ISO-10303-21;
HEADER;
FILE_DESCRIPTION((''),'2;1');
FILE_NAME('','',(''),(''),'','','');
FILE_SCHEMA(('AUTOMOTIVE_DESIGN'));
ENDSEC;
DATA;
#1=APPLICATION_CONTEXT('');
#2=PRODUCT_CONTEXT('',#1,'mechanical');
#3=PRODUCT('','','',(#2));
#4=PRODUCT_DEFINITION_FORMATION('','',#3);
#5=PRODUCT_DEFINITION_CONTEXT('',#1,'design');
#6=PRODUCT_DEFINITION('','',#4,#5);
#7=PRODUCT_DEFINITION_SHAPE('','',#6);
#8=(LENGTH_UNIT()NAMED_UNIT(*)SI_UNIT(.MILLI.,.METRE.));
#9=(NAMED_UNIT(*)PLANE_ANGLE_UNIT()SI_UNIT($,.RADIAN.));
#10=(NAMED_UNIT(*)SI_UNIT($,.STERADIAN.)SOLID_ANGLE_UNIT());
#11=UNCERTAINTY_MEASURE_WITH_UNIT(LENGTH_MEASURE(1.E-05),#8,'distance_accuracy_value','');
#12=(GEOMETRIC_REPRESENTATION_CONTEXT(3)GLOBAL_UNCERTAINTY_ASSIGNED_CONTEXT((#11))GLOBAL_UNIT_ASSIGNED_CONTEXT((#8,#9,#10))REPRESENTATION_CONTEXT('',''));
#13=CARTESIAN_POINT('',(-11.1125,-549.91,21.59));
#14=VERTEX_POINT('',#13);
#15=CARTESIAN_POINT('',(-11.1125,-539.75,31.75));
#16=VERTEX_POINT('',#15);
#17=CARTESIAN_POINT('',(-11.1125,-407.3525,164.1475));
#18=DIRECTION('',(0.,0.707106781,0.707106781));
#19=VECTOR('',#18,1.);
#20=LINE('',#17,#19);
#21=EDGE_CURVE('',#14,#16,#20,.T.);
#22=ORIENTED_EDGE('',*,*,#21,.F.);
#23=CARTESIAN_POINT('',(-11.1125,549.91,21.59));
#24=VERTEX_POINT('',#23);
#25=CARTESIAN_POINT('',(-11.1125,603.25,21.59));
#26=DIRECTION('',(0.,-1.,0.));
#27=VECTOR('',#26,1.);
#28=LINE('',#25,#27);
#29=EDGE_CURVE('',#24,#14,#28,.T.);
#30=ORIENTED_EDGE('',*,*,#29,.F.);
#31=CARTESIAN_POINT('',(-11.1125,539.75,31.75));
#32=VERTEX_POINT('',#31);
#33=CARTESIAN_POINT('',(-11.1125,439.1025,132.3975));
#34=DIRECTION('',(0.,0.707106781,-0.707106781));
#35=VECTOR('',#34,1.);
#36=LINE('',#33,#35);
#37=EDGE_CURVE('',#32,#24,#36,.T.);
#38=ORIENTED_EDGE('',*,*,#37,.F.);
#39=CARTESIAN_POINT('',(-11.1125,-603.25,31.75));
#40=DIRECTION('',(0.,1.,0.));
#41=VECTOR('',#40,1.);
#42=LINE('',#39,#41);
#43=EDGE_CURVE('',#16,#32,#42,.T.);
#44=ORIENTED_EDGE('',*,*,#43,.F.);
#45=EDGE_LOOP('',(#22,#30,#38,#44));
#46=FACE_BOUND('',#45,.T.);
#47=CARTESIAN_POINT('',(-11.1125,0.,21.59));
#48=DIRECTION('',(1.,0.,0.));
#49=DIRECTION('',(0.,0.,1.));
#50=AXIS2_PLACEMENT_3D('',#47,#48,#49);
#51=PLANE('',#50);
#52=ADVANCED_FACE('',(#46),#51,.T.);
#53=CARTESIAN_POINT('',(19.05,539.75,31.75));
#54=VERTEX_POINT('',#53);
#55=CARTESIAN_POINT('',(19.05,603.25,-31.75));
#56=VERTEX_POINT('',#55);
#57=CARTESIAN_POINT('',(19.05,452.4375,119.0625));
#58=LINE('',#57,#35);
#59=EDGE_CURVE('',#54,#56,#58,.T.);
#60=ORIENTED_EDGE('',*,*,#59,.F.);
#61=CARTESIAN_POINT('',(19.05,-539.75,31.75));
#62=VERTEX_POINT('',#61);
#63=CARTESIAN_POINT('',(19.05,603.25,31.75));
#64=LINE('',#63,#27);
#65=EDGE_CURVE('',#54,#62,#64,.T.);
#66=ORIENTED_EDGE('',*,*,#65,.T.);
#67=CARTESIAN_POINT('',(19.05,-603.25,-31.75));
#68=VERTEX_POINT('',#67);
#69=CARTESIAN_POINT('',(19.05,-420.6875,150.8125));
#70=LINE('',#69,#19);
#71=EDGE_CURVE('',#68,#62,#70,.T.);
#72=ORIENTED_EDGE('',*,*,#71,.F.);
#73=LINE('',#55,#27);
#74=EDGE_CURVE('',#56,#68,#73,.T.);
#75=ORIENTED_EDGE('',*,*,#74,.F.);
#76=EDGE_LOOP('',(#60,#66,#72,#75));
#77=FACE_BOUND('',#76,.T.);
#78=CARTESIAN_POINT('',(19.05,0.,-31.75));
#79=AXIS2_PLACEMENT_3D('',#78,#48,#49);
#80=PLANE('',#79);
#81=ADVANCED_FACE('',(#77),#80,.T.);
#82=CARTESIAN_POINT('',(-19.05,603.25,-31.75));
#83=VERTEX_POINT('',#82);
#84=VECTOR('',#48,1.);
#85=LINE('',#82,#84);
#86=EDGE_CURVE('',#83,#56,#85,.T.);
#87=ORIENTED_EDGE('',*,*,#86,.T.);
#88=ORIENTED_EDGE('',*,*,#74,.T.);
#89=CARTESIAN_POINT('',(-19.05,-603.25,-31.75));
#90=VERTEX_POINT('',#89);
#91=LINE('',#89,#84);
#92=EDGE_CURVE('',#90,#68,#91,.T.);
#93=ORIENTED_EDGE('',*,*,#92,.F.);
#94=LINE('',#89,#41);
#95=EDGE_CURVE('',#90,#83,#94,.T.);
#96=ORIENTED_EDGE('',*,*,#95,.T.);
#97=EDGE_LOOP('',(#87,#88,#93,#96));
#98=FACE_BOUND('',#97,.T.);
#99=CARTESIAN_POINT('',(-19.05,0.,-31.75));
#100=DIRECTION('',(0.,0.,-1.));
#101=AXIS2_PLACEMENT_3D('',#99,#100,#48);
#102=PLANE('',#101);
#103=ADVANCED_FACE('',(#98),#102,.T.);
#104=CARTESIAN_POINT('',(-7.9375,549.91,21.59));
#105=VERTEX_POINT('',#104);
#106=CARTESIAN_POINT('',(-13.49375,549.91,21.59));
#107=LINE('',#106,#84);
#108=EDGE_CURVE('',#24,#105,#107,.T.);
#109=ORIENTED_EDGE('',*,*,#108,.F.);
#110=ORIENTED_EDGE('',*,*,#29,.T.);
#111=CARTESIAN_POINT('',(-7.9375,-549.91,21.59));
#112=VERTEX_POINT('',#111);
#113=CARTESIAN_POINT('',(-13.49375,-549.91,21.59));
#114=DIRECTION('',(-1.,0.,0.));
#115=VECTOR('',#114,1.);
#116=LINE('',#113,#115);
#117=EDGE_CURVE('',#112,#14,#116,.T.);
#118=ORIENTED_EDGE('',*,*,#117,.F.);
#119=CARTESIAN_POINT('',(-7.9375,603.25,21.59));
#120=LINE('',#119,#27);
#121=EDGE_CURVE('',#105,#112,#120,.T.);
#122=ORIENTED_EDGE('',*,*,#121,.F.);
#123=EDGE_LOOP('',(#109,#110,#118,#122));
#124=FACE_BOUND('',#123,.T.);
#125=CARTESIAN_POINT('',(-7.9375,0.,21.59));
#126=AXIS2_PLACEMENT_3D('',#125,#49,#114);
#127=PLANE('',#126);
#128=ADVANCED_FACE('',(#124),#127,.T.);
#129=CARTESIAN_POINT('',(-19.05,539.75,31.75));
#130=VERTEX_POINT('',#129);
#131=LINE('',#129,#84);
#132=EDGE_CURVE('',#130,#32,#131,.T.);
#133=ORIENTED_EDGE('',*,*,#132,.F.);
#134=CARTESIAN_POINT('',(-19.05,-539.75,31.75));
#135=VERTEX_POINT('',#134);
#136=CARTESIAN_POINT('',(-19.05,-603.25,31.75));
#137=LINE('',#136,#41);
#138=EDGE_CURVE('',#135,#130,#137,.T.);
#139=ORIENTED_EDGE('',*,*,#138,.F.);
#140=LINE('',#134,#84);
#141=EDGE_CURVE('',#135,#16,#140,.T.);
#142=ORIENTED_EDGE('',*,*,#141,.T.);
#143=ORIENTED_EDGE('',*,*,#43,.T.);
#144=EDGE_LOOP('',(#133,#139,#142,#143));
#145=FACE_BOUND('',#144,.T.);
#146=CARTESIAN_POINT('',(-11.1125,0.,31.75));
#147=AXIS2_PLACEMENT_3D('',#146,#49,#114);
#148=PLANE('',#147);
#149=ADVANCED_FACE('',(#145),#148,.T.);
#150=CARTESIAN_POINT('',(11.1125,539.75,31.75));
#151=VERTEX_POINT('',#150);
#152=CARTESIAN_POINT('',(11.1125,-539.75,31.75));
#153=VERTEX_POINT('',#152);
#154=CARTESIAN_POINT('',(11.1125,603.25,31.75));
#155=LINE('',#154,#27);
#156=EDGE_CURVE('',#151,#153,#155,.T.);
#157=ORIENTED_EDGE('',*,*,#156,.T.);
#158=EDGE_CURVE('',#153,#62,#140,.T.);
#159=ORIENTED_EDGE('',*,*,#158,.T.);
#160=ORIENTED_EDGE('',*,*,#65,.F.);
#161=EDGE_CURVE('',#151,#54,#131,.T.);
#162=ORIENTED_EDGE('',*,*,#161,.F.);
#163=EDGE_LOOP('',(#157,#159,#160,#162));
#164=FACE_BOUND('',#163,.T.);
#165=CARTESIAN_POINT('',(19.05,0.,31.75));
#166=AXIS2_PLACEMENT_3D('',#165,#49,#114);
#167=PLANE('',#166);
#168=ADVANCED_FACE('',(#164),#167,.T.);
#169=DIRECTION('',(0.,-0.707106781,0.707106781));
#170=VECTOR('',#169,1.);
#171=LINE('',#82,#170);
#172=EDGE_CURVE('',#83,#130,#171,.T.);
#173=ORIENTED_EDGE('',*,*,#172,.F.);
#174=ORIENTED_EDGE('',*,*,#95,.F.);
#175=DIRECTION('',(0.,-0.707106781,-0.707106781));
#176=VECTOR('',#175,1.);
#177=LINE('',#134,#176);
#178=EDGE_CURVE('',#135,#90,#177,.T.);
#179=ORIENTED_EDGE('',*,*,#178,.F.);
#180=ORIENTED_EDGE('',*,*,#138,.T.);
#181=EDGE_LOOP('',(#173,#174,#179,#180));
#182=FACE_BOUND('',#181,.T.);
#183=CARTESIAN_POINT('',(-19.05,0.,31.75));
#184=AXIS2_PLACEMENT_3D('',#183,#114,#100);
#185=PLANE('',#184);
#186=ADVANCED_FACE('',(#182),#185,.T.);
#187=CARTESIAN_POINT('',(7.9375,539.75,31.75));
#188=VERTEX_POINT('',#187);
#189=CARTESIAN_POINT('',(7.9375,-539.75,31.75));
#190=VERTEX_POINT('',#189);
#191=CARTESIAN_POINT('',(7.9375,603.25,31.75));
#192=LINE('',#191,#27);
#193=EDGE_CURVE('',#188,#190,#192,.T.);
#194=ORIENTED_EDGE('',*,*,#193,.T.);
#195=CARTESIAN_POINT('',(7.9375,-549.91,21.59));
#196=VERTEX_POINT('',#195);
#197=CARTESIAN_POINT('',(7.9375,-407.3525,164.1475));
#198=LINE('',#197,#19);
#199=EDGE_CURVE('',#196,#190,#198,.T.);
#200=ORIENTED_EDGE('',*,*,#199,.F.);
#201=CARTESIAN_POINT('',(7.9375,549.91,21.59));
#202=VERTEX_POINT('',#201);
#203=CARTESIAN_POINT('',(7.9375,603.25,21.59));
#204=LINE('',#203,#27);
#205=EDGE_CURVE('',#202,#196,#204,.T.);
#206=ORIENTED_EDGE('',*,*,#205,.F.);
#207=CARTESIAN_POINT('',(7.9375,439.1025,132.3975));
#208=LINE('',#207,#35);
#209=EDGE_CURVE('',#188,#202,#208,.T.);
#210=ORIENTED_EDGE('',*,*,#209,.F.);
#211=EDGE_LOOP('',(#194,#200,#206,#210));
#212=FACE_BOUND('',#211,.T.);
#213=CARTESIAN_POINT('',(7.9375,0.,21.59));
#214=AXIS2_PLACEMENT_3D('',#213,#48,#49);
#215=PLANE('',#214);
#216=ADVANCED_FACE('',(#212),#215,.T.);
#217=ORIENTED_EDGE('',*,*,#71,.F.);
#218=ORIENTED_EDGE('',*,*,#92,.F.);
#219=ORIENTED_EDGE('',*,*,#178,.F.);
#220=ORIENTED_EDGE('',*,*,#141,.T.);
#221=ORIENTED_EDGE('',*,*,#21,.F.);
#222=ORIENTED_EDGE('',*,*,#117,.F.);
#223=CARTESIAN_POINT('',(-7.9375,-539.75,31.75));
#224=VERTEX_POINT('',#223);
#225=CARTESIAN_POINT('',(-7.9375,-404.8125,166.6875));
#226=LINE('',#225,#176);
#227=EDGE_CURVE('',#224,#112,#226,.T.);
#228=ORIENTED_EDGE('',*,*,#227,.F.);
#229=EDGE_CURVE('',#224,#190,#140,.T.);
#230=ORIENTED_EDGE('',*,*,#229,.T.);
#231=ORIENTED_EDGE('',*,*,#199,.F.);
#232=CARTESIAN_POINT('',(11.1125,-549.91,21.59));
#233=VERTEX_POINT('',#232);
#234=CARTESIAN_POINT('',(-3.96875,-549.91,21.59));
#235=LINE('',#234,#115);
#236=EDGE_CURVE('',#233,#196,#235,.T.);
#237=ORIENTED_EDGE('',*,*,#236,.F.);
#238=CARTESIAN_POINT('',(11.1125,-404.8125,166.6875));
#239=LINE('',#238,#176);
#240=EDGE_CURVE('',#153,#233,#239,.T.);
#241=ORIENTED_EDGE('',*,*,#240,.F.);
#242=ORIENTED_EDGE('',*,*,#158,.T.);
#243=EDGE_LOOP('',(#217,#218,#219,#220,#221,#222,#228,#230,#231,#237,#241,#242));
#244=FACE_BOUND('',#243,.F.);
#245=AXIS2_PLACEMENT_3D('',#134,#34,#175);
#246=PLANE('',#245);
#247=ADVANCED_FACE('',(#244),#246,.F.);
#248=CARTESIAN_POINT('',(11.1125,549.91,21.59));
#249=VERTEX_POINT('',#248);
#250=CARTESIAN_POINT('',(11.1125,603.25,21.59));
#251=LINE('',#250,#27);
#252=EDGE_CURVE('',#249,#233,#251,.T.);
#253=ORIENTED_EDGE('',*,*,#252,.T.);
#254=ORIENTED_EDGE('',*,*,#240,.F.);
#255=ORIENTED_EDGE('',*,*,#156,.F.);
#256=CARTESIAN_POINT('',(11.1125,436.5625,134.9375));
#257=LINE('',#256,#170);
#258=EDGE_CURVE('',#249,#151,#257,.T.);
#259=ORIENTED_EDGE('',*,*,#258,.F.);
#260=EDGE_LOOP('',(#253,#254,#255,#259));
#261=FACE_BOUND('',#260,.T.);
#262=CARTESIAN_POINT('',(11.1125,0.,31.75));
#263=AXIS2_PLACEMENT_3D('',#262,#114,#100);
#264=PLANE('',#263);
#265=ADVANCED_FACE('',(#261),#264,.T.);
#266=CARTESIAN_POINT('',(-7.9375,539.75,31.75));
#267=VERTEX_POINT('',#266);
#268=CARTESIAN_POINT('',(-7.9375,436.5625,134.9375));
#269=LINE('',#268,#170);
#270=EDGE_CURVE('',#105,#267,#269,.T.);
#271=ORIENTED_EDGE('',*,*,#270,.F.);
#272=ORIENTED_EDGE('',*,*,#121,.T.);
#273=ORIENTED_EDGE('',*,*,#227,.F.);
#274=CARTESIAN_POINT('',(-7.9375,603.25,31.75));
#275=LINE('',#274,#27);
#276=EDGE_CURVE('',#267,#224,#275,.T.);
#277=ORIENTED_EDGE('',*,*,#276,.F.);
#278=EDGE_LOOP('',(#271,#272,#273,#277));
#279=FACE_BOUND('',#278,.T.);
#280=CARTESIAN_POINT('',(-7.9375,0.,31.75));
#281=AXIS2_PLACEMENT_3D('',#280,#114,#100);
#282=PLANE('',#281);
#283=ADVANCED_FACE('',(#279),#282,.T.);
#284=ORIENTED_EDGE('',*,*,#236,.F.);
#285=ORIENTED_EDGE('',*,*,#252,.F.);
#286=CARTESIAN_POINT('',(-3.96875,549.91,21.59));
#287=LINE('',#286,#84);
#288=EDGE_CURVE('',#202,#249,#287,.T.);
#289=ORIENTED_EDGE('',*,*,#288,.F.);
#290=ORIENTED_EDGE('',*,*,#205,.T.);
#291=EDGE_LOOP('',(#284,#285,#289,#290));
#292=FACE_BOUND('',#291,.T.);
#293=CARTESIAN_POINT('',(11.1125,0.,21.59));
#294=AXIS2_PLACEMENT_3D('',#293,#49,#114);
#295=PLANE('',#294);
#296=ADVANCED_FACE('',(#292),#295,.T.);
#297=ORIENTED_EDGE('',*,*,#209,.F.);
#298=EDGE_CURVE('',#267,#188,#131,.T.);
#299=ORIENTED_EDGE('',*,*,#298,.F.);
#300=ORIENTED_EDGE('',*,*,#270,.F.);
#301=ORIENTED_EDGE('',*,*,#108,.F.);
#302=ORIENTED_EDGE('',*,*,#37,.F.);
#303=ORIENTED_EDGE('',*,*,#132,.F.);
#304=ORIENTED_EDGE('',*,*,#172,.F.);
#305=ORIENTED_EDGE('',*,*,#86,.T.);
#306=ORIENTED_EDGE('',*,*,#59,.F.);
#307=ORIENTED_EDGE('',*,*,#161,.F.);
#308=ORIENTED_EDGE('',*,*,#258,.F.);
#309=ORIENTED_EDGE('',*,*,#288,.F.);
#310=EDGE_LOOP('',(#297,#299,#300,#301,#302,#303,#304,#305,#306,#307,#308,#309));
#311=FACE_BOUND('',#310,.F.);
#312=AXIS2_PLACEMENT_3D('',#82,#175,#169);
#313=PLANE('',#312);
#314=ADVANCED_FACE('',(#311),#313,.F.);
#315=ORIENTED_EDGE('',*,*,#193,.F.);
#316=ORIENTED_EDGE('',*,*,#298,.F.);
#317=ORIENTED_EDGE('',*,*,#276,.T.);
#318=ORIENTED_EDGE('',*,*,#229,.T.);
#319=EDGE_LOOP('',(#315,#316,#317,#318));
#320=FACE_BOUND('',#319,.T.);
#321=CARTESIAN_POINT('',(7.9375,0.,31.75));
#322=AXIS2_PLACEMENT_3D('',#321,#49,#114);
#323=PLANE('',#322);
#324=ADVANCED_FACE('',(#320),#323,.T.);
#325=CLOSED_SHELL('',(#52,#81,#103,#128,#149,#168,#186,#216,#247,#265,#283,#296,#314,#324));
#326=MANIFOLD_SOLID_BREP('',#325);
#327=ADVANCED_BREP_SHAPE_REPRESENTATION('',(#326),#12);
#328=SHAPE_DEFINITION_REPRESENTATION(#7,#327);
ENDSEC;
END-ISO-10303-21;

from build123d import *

# Parameters (mm, degrees)
F1_DEPTH = 603.25
F3_DEPTH = 38.101


with BuildPart() as f1:
    # F0 (on Front) → F1 (new body, symmetric)
    with BuildSketch(Plane.XZ):
        Polygon((-19.05, -31.75), (19.05, -31.75), (19.05, 31.75), (11.1125, 31.75), (11.1125, 21.59), (7.9375, 21.59), (7.9375, 31.75), (-7.9375, 31.75), (-7.9375, 21.59), (-11.1125, 21.59), (-11.1125, 31.75), (-19.05, 31.75), align=None)
    extrude(amount=F1_DEPTH, both=True)

    # F2 (on face) → F3 (cut, through all)
    with BuildSketch(Plane(origin=(-19.05, 0, 0), x_dir=(0, -1, 0), z_dir=(-1, 0, 0))):
        Polygon((539.75, 31.75), (603.25, -31.75), (603.25, 31.75), align=None)
        Polygon((-603.25, 31.75), (-603.25, -31.75), (-539.75, 31.75), align=None)
    extrude(amount=-F3_DEPTH, mode=Mode.SUBTRACT)


solid = f1.part
